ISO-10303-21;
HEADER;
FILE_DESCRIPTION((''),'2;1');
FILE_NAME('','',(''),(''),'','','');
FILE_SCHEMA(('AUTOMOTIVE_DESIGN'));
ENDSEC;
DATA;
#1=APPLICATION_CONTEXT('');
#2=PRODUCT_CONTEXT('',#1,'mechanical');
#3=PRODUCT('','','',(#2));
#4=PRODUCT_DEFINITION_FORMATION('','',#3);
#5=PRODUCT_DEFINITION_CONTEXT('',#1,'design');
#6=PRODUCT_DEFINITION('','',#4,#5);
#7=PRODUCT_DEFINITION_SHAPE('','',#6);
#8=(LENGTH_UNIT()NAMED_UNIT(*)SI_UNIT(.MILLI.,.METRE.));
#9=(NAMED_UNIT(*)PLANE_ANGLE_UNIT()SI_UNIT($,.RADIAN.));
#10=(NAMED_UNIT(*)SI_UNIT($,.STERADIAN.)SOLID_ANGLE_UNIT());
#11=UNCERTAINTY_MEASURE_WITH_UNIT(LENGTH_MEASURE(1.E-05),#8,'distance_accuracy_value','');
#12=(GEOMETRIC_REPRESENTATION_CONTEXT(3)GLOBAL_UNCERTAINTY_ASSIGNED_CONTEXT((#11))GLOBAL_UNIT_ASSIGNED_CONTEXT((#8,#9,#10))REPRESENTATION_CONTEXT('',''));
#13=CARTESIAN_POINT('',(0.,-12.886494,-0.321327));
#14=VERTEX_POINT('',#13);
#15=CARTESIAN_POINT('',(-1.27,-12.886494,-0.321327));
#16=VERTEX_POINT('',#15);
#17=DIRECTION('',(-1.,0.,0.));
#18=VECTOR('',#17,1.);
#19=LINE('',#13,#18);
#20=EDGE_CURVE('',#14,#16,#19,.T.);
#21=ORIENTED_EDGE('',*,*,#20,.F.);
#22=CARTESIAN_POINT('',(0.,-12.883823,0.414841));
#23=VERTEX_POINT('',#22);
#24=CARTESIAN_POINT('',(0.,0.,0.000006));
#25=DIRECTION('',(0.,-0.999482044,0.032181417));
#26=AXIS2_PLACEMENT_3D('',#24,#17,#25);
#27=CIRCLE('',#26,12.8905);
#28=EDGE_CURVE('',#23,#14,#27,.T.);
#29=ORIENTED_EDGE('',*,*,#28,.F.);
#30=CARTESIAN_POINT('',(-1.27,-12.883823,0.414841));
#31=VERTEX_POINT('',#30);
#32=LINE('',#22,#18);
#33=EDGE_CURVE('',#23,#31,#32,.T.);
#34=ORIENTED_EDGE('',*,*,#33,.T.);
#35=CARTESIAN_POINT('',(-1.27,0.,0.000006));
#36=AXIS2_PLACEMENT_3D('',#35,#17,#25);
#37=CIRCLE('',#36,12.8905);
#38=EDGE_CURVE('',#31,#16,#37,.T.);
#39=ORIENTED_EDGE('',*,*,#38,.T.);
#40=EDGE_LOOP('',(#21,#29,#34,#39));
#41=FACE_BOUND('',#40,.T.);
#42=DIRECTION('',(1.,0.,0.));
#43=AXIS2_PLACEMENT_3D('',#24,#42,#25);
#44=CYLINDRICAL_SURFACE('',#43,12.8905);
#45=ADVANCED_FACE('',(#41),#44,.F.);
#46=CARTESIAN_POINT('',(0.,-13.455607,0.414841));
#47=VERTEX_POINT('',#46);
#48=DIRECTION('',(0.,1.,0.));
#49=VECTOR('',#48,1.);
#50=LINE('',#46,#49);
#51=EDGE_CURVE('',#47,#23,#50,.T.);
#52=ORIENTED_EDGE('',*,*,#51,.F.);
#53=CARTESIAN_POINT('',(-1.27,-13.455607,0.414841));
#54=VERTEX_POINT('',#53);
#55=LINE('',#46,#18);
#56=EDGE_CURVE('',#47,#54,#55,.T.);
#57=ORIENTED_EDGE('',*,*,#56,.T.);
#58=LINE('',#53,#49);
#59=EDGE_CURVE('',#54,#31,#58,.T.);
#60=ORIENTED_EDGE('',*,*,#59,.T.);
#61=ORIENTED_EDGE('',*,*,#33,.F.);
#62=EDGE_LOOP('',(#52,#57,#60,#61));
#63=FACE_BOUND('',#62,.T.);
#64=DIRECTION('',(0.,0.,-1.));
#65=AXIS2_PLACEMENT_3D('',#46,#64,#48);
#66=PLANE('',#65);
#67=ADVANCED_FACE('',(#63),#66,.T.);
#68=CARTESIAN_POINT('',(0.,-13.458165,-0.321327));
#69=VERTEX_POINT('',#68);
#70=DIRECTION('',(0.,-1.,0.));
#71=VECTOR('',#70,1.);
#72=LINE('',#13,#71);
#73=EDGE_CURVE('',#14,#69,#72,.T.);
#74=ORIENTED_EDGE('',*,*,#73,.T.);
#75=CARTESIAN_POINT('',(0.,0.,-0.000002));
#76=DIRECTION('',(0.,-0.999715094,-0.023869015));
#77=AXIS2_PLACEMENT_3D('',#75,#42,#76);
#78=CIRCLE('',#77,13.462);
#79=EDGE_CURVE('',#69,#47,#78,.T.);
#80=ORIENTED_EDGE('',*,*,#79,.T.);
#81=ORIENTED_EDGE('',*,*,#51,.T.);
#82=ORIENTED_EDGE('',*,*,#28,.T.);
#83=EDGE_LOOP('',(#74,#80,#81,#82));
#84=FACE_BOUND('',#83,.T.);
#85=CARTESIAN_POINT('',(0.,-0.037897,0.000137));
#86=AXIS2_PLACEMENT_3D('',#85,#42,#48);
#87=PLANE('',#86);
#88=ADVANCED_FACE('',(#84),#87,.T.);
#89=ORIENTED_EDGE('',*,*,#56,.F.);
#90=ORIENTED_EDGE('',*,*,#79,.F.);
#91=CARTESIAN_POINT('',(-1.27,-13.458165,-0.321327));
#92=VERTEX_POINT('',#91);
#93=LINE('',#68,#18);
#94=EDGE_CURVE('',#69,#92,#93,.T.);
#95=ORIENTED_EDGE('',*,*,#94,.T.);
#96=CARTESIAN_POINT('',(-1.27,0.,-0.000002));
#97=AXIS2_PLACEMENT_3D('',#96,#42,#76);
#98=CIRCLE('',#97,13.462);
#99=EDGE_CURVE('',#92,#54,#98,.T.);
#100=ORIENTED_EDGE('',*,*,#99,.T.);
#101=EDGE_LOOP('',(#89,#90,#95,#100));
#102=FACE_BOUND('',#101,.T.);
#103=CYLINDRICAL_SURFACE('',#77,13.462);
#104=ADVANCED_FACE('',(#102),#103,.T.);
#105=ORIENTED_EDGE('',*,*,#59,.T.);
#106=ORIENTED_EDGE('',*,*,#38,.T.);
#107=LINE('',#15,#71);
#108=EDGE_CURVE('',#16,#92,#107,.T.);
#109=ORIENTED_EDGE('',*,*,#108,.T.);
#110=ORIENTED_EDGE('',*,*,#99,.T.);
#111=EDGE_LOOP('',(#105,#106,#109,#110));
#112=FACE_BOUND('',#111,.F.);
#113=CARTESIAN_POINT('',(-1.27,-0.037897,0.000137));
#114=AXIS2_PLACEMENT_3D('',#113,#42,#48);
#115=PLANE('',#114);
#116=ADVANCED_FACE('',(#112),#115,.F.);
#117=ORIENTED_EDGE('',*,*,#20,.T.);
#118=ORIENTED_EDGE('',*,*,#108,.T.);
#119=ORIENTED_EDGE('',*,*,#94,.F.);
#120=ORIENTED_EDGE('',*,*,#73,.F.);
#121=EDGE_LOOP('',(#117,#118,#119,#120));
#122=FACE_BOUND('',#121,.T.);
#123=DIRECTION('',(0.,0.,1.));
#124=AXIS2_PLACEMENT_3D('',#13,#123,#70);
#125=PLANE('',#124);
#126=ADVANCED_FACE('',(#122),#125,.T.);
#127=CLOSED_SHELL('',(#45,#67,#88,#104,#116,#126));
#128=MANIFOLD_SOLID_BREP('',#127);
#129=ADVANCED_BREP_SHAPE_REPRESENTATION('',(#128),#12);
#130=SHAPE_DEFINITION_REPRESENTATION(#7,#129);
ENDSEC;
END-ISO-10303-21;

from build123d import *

# Parameters (mm, degrees)
F1_DEPTH = 1.27


with BuildPart() as f1:
    # F0 (on Right) → F1 (new body)
    with BuildSketch(Plane.YZ):
        with BuildLine():
            Line((-12.886494, -0.321327), (-13.458165, -0.321327))
            ThreePointArc((-13.458165, -0.321327), (13.461919, -0.046775), (-13.455607, 0.414841))
            Line((-13.455607, 0.414841), (-12.883823, 0.414841))
            ThreePointArc((-12.883823, 0.414841), (12.890415, -0.046776), (-12.886494, -0.321327))
        make_face()
    extrude(amount=-F1_DEPTH)


solid = f1.part
